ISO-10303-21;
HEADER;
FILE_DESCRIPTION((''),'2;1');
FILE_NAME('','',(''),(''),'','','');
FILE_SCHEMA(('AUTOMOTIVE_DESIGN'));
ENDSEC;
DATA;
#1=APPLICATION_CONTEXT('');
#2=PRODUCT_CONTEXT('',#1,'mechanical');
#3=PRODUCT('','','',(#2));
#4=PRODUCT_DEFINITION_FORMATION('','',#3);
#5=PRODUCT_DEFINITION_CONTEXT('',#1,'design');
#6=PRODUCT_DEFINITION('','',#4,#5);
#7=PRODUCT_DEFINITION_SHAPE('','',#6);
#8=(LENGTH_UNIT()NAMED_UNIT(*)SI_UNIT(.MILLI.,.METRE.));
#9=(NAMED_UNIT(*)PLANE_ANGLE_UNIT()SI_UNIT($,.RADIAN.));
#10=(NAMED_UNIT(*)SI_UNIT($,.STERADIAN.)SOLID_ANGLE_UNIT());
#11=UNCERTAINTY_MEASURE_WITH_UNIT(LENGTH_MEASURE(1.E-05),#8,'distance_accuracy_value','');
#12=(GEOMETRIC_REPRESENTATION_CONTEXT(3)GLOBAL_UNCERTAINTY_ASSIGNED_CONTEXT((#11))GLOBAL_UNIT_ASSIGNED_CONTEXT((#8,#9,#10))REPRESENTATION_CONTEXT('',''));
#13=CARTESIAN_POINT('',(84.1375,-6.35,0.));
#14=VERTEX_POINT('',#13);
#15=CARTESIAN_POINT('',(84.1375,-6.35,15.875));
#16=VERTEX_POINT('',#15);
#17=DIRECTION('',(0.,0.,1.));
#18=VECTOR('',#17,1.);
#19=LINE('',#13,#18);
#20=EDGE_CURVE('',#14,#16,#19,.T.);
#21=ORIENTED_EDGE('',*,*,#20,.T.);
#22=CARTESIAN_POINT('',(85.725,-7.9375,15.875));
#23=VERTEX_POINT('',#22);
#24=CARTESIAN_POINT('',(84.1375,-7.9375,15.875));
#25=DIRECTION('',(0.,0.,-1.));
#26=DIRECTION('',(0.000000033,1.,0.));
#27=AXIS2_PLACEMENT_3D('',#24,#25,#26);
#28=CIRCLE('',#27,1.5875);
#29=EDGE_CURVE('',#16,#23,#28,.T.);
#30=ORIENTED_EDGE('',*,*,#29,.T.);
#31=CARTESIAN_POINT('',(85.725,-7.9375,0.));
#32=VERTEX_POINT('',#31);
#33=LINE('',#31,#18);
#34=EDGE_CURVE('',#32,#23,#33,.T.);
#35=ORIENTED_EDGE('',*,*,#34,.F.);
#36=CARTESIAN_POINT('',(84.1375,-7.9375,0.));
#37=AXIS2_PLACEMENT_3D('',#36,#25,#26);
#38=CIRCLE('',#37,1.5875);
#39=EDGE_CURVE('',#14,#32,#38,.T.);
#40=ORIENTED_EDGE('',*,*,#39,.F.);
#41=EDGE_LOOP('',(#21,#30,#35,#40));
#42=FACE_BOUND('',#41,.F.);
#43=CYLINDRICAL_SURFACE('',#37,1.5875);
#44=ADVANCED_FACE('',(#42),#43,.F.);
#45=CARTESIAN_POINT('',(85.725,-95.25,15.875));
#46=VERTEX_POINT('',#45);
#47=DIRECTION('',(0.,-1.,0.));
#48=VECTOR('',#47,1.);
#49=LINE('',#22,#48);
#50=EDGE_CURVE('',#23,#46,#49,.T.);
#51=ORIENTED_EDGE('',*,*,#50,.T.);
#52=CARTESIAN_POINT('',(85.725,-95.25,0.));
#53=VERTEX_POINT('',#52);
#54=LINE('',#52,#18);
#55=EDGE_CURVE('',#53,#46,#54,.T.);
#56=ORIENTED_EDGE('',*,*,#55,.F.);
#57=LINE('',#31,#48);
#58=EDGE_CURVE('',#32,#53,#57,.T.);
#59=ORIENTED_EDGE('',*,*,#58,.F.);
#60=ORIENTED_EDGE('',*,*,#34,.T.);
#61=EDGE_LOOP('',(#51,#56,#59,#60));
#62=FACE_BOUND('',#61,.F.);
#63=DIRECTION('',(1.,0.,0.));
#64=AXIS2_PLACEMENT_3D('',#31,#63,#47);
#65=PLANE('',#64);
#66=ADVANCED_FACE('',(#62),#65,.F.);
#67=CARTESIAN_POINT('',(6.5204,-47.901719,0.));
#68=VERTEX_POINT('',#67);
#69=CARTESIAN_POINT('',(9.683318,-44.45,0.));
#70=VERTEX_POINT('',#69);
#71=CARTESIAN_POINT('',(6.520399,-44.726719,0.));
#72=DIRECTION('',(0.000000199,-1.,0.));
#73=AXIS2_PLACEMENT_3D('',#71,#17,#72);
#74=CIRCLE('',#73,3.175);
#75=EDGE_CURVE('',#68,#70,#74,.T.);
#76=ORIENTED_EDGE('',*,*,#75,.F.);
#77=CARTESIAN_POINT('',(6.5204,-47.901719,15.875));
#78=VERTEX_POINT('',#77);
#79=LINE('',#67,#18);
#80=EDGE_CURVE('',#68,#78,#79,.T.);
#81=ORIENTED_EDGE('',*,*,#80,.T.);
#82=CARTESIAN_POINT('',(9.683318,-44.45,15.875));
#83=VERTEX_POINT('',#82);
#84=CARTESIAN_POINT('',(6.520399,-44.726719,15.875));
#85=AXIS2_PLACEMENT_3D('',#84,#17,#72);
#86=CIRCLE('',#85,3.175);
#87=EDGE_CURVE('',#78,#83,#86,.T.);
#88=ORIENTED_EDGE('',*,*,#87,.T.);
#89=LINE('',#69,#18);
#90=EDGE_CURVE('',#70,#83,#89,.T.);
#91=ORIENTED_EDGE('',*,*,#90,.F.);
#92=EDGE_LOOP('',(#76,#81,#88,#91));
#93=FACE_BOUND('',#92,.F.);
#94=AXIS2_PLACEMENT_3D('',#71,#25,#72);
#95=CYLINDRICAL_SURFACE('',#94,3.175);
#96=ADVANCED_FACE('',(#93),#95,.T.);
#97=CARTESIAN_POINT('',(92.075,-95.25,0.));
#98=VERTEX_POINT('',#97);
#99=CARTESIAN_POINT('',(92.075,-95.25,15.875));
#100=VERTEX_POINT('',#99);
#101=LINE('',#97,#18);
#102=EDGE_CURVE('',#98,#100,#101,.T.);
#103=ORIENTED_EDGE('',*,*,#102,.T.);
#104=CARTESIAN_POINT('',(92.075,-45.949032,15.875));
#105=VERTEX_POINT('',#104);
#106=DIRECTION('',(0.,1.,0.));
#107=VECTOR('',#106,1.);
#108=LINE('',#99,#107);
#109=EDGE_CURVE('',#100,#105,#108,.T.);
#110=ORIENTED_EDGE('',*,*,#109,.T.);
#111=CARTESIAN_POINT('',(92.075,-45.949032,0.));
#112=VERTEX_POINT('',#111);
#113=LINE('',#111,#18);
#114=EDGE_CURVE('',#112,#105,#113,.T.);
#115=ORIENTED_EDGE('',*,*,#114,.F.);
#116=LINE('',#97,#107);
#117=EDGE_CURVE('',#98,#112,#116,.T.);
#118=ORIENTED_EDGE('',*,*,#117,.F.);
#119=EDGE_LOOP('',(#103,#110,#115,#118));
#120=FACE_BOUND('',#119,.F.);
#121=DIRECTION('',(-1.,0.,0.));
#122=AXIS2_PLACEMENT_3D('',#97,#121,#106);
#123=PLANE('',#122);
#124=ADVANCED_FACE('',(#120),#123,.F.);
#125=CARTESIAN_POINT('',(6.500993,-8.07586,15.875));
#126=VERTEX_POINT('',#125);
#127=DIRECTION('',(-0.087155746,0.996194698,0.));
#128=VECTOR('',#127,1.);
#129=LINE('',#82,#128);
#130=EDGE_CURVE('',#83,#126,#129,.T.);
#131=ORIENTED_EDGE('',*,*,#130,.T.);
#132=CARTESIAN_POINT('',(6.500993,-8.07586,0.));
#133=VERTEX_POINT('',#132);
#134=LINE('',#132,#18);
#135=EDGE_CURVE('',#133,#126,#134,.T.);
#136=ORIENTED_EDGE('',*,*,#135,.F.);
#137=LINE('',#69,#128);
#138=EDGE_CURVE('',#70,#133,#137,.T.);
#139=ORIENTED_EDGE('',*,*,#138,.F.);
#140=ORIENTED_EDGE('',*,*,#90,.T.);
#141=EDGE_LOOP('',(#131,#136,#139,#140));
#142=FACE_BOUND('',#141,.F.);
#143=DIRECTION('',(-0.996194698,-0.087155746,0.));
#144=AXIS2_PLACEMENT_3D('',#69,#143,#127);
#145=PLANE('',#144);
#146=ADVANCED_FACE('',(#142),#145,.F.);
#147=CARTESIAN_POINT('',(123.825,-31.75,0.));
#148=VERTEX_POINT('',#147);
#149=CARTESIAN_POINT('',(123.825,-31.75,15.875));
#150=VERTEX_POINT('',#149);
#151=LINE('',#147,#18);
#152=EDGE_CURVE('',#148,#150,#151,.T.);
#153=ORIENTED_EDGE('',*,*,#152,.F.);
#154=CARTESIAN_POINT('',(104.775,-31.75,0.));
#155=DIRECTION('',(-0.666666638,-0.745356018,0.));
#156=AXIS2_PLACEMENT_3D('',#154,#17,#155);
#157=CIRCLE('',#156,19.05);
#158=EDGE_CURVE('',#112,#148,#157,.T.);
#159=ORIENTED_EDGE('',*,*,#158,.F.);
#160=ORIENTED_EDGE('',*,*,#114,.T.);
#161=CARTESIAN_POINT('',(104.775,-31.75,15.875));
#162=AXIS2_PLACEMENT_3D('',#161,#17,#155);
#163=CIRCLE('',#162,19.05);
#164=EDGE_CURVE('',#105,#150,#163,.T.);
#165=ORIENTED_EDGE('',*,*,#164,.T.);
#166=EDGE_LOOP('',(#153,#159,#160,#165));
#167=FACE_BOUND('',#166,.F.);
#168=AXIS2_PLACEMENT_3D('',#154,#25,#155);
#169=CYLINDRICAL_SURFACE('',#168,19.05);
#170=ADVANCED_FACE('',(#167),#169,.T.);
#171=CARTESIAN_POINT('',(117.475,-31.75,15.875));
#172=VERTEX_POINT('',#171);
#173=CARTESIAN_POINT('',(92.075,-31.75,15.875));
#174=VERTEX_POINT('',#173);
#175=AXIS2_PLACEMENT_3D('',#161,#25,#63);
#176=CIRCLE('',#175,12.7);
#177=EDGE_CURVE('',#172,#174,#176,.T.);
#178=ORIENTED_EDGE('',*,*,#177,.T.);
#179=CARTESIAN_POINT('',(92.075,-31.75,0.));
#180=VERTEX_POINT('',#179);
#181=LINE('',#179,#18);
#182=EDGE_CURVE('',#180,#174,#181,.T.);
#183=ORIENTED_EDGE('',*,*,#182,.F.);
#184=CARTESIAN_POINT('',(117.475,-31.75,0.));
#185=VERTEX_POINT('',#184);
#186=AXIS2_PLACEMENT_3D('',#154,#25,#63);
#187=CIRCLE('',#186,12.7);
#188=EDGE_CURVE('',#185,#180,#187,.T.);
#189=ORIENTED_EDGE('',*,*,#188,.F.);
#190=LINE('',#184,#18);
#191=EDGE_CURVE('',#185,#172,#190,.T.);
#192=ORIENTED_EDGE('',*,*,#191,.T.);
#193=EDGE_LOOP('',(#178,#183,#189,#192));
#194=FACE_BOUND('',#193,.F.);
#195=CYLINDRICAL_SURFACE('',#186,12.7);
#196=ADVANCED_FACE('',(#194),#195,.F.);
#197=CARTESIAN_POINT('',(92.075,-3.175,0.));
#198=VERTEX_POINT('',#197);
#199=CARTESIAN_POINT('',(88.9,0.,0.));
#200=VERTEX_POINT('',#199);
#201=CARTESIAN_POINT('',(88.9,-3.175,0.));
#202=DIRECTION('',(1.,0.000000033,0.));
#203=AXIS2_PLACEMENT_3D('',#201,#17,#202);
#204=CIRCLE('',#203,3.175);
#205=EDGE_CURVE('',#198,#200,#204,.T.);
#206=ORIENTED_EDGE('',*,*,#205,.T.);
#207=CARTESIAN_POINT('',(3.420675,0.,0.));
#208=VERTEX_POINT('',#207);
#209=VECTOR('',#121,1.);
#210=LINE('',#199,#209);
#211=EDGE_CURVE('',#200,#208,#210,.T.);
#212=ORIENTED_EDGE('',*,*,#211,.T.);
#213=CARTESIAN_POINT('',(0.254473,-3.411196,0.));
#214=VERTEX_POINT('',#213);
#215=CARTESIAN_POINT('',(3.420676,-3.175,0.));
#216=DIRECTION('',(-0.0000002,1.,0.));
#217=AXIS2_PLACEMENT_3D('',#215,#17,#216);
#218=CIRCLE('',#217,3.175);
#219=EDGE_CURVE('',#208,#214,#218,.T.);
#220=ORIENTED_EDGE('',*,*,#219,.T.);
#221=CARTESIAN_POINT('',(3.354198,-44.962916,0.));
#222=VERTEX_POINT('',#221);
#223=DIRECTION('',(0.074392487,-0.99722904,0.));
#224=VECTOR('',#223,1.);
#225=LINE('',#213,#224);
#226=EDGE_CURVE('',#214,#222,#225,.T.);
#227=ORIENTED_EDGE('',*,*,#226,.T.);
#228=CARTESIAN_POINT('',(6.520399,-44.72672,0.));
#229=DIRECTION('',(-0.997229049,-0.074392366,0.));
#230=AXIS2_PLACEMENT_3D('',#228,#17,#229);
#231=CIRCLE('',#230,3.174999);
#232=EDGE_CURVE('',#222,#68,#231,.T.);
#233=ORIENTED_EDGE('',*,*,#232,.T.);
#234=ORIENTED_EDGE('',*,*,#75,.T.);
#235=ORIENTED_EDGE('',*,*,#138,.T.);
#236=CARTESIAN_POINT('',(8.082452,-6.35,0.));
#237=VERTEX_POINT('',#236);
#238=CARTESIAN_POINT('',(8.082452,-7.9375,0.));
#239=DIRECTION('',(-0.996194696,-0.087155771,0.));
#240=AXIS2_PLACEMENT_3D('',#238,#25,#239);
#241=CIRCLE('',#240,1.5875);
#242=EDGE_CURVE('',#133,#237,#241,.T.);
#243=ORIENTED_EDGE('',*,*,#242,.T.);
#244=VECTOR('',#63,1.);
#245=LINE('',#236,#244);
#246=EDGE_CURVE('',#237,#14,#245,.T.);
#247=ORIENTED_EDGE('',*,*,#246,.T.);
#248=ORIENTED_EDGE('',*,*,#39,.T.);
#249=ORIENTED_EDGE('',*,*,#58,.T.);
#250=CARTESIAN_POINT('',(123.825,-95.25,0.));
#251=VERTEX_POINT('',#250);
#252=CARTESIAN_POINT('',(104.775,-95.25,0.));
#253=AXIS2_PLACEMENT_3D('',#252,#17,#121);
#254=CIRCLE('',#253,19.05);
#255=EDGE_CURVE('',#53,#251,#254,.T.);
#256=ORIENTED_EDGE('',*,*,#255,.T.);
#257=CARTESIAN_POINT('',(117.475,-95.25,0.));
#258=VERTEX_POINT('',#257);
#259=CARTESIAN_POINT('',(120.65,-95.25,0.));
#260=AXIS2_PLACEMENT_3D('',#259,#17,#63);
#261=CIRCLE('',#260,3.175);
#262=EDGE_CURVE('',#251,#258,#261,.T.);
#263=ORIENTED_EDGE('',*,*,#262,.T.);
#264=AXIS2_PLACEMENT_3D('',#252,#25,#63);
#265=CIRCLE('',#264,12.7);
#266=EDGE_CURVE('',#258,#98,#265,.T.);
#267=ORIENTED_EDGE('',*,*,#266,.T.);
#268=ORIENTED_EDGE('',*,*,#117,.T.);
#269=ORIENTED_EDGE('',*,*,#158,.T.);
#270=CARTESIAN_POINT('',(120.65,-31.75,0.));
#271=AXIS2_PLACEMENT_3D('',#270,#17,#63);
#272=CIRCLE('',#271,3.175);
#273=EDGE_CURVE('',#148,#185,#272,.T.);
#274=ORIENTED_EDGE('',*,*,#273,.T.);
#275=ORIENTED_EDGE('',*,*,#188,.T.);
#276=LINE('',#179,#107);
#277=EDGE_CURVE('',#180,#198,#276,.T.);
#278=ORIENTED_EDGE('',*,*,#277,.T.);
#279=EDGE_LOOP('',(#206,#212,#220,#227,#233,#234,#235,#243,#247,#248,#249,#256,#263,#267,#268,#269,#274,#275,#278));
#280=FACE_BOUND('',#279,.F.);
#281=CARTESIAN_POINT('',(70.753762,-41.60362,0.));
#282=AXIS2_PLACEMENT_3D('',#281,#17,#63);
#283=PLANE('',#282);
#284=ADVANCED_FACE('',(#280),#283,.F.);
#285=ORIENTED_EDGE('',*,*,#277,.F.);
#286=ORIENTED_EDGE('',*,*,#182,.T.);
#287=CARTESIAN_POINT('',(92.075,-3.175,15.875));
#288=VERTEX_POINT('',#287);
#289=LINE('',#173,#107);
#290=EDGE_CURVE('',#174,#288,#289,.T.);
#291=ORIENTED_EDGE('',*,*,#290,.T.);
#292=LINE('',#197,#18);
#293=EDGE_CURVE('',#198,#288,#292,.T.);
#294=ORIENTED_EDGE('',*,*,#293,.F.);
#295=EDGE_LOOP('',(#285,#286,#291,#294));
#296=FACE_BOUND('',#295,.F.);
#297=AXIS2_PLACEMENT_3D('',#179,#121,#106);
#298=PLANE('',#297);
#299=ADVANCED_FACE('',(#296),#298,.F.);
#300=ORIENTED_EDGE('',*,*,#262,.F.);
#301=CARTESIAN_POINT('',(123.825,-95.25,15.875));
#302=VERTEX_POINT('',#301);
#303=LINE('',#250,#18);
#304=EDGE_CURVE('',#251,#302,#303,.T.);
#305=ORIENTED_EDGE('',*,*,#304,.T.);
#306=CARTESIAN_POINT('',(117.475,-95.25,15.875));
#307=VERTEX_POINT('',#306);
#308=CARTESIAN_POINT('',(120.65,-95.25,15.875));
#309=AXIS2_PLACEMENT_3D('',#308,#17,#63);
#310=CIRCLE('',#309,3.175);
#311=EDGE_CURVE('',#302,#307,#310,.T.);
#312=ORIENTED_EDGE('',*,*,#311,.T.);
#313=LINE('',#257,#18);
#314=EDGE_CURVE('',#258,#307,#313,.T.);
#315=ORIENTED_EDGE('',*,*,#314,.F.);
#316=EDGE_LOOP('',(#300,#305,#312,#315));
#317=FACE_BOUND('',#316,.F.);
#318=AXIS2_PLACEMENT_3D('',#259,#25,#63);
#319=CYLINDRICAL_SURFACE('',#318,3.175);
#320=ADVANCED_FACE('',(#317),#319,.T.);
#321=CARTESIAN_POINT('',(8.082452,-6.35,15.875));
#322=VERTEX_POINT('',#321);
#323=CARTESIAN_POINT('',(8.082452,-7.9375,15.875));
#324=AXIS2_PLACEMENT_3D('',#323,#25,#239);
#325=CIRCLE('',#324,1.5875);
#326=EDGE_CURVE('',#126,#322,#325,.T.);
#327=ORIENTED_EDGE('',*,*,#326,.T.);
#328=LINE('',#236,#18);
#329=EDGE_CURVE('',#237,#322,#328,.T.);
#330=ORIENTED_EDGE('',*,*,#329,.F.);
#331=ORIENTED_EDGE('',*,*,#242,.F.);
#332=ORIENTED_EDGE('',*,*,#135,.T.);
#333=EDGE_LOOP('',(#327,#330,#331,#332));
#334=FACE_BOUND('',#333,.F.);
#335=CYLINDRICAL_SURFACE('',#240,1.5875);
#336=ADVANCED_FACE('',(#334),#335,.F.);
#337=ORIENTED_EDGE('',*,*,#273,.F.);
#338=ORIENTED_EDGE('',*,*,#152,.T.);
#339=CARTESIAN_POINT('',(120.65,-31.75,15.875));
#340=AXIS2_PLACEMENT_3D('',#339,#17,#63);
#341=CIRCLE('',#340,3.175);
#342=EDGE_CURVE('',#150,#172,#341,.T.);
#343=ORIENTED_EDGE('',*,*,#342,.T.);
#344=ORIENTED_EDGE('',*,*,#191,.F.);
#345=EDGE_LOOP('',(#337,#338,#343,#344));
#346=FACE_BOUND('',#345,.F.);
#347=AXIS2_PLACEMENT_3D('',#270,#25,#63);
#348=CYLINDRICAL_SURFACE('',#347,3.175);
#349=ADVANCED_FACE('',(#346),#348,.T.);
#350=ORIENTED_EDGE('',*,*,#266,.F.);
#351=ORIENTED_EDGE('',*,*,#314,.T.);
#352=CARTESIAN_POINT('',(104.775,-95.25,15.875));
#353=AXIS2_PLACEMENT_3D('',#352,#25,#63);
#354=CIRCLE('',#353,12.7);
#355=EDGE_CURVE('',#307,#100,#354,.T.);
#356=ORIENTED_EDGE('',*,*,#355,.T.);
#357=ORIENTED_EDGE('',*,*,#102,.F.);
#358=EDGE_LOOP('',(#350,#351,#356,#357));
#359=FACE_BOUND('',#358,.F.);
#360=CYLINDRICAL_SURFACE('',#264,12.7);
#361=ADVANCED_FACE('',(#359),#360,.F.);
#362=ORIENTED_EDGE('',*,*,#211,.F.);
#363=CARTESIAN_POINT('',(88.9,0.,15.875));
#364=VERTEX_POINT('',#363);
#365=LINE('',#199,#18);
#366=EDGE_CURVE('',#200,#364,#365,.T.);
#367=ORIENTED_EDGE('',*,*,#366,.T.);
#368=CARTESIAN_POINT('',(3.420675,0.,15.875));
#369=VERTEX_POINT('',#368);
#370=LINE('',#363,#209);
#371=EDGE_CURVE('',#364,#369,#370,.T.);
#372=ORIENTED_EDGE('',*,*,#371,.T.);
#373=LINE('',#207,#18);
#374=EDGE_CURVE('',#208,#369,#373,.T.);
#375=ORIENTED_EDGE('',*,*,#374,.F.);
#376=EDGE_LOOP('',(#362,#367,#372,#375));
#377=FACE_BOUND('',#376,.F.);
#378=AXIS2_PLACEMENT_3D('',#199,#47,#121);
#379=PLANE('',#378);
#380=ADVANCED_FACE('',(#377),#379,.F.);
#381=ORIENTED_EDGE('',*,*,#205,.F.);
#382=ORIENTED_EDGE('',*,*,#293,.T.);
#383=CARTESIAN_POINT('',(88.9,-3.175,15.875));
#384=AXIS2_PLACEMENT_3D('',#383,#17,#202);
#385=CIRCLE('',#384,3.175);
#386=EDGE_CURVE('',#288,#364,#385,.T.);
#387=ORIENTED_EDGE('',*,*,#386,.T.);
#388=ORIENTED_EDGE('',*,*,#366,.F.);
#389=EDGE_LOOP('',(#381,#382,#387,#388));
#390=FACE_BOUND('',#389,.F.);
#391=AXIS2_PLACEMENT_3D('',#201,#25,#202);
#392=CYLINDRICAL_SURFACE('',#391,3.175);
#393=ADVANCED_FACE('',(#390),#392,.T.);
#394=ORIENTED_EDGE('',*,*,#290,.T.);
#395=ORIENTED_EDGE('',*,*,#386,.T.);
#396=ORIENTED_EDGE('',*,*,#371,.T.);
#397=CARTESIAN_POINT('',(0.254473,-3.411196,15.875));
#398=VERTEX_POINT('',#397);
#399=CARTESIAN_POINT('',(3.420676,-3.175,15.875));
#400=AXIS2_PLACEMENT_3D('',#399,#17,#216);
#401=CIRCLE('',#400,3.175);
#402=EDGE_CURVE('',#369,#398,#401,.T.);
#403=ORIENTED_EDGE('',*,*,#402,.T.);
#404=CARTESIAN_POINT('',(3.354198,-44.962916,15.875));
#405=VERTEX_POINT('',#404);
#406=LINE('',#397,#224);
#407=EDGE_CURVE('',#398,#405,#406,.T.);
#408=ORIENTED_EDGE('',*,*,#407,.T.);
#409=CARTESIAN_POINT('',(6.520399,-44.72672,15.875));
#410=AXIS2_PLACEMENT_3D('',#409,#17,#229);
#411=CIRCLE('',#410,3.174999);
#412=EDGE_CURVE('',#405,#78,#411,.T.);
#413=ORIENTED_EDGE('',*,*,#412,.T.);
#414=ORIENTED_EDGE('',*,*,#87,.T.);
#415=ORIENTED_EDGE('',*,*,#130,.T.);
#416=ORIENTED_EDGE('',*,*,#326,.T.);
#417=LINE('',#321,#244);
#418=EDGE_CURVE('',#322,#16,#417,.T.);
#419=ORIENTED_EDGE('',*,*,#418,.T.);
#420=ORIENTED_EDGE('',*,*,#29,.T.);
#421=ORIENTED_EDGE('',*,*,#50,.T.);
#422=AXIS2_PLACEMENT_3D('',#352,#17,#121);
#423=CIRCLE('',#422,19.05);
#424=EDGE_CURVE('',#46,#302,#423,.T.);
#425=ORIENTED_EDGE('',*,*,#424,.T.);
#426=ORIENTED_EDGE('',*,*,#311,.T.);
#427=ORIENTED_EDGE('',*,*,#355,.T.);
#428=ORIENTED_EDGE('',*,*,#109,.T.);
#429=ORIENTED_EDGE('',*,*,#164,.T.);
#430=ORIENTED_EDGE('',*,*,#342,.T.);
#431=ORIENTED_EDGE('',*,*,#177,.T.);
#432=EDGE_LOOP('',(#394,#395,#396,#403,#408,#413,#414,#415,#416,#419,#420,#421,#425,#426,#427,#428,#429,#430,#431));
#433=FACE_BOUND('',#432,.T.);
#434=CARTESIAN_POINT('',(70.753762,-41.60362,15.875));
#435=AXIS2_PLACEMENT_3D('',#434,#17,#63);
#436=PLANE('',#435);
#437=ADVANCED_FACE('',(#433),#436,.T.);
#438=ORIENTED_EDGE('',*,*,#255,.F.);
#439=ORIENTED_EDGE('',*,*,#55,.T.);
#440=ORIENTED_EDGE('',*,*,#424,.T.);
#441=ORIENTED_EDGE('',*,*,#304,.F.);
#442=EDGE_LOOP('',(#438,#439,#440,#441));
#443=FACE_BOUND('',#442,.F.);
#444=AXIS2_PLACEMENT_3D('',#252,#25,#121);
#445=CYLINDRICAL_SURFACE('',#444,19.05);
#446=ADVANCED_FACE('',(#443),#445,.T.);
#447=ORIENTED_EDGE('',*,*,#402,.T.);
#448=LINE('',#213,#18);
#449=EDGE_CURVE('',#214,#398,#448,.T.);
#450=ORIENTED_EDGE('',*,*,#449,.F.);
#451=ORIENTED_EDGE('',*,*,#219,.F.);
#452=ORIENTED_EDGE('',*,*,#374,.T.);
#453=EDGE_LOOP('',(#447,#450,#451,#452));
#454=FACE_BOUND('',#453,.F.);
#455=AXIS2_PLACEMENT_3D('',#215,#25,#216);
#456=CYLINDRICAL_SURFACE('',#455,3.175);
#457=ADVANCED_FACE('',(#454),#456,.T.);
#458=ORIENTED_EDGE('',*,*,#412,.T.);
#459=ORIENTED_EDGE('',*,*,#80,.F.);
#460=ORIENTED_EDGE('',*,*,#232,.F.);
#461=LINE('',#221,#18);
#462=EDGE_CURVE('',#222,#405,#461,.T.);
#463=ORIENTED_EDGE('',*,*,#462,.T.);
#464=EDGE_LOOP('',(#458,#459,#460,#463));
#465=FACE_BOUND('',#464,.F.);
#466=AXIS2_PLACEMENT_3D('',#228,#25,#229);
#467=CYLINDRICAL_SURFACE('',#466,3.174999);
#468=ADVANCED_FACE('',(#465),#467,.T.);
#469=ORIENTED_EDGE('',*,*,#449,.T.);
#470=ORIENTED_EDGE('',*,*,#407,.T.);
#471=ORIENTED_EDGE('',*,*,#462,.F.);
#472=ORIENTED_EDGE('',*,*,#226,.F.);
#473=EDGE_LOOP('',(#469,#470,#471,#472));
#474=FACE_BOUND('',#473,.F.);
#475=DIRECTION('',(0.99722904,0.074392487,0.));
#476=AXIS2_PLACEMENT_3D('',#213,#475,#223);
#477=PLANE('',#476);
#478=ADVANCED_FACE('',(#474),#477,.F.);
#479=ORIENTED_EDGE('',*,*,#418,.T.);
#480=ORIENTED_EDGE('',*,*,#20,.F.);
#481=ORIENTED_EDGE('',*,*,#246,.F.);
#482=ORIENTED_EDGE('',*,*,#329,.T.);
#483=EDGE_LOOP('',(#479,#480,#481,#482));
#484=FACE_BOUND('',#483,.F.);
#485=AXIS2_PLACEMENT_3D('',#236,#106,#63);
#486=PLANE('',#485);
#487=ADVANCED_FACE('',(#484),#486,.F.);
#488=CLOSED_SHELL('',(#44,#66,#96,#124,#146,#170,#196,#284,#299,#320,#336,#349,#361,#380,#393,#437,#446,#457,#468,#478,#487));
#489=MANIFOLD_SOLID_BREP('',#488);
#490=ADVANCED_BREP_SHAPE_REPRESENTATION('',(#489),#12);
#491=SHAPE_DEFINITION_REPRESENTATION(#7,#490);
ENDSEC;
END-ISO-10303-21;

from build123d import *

# Parameters (mm, degrees)
F1_DEPTH = 15.875


with BuildPart() as f1:
    # F0 (on Top) → F1 (new body)
    with BuildSketch(Plane.XY):
        with BuildLine():
            Line((88.9, 0), (3.420675, 0))
            ThreePointArc((3.420675, 0), (1.093601, -1.015058), (0.254473, -3.411196))
            Line((0.254473, -3.411196), (3.354198, -44.962916))
            ThreePointArc((3.354198, -44.962916), (4.360458, -47.053794), (6.5204, -47.901719))
            ThreePointArc((6.5204, -47.901719), (8.861255, -46.871718), (9.683318, -44.45))
            Line((9.683318, -44.45), (6.500993, -8.07586))
            ThreePointArc((6.500993, -8.07586), (6.912024, -6.865001), (8.082452, -6.35))
            Line((8.082452, -6.35), (84.1375, -6.35))
            ThreePointArc((84.1375, -6.35), (85.260032, -6.814968), (85.725, -7.9375))
            Line((85.725, -7.9375), (85.725, -95.25))
            ThreePointArc((85.725, -95.25), (104.775, -114.3), (123.825, -95.25))
            ThreePointArc((123.825, -95.25), (120.65, -92.075), (117.475, -95.25))
            ThreePointArc((117.475, -95.25), (104.775, -107.95), (92.075, -95.25))
            Line((92.075, -95.25), (92.075, -45.949032))
            ThreePointArc((92.075, -45.949032), (112.55213, -49.140191), (123.825, -31.75))
            ThreePointArc((123.825, -31.75), (120.65, -28.575), (117.475, -31.75))
            ThreePointArc((117.475, -31.75), (104.775, -44.45), (92.075, -31.75))
            Line((92.075, -31.75), (92.075, -3.175))
            ThreePointArc((92.075, -3.175), (91.145064, -0.929936), (88.9, 0))
        make_face()
    extrude(amount=F1_DEPTH)


solid = f1.part
